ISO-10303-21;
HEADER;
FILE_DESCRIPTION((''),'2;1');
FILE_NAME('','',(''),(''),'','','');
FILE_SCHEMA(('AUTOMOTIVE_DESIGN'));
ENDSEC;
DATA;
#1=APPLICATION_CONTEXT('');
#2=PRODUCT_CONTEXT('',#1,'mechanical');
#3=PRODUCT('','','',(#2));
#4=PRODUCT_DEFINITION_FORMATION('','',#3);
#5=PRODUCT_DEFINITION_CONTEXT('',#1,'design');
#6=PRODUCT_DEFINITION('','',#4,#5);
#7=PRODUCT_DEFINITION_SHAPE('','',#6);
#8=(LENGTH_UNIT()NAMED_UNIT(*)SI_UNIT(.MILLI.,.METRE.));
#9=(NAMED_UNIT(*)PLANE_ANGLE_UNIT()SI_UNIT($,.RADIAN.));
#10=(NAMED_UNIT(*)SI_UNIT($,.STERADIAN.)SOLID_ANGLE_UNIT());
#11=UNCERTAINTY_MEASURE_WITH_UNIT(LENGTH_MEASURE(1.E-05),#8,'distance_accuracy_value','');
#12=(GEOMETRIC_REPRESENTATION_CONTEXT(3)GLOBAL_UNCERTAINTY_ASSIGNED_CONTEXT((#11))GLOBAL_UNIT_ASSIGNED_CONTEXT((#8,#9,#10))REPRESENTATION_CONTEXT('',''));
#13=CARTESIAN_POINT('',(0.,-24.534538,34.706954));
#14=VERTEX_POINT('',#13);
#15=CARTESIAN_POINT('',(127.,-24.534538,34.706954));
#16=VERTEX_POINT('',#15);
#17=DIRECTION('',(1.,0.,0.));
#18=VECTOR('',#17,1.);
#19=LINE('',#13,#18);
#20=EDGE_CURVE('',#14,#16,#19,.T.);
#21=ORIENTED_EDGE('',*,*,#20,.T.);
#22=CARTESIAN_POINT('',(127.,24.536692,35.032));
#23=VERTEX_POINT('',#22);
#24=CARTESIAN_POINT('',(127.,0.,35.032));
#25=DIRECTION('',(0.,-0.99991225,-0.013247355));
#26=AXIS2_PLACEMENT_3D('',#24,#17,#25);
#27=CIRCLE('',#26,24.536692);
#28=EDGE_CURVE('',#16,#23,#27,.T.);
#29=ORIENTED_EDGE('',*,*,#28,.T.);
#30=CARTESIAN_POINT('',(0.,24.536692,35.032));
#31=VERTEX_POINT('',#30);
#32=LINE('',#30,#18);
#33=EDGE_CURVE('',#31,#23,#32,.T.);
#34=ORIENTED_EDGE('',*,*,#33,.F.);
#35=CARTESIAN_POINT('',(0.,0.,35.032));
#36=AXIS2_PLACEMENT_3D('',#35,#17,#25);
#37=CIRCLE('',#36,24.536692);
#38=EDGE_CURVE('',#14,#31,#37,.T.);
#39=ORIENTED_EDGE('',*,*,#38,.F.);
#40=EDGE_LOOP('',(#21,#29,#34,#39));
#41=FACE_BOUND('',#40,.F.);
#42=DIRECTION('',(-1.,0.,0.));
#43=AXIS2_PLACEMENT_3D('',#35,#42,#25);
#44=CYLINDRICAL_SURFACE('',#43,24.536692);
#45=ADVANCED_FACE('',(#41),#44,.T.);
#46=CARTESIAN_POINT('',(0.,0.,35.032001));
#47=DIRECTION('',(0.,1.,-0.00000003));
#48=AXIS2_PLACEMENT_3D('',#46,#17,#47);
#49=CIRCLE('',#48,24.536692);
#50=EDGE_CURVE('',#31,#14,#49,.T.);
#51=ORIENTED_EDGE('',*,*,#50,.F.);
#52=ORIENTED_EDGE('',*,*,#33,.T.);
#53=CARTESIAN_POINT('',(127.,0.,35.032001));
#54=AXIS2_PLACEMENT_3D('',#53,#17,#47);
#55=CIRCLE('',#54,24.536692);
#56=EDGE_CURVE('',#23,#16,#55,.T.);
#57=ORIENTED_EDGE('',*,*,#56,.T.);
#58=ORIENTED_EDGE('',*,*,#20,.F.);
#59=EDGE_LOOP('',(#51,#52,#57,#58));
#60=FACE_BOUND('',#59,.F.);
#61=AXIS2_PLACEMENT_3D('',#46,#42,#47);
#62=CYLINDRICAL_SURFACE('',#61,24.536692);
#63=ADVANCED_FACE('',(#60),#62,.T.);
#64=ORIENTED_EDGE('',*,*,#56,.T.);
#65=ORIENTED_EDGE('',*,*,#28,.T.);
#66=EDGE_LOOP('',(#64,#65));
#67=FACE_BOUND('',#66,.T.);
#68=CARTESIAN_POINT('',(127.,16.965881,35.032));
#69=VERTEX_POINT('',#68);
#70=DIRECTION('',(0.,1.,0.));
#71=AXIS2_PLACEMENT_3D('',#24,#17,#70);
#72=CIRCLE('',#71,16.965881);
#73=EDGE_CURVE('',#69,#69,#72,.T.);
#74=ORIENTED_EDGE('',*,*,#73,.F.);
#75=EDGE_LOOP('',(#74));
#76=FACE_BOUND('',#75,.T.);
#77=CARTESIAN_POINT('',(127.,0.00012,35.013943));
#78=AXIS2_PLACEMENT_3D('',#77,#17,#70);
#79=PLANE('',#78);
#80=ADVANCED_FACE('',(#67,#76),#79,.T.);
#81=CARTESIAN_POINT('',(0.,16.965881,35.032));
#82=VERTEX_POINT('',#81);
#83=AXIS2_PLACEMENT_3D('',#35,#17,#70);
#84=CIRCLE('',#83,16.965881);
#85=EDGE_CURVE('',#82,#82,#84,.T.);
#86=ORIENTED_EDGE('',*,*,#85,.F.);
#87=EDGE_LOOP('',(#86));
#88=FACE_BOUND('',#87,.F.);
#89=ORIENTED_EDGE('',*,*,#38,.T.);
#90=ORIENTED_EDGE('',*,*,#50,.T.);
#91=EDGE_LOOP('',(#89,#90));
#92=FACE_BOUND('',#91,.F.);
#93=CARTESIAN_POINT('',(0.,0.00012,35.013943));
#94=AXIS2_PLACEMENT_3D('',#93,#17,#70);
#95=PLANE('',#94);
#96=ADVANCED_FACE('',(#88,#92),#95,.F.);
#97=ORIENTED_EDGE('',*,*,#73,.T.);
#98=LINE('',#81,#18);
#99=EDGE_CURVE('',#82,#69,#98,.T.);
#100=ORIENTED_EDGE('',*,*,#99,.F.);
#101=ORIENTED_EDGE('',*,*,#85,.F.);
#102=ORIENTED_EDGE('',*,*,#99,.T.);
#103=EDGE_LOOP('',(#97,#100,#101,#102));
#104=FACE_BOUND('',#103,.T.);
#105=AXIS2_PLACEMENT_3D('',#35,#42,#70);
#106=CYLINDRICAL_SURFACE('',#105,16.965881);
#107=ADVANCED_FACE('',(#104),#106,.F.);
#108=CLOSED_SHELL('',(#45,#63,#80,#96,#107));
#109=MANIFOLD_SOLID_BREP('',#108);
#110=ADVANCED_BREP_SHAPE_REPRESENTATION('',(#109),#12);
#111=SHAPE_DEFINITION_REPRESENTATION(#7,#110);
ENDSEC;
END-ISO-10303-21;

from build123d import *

# Parameters (mm, degrees)
F0_R     = 16.965881
F1_DEPTH = 127


with BuildPart() as f1:
    # F0 (on Right) → F1 (new body)
    with BuildSketch(Plane.YZ):
        with BuildLine():
            ThreePointArc((-24.534538, 34.706954), (0.162527, 10.495847), (24.536692, 35.032))
            ThreePointArc((24.536692, 35.032), (-0.162527, 59.568154), (-24.534538, 34.706954))
        make_face()
        with Locations((0, 35.032)):
            Circle(F0_R, mode=Mode.SUBTRACT)
    extrude(amount=F1_DEPTH)


solid = f1.part
